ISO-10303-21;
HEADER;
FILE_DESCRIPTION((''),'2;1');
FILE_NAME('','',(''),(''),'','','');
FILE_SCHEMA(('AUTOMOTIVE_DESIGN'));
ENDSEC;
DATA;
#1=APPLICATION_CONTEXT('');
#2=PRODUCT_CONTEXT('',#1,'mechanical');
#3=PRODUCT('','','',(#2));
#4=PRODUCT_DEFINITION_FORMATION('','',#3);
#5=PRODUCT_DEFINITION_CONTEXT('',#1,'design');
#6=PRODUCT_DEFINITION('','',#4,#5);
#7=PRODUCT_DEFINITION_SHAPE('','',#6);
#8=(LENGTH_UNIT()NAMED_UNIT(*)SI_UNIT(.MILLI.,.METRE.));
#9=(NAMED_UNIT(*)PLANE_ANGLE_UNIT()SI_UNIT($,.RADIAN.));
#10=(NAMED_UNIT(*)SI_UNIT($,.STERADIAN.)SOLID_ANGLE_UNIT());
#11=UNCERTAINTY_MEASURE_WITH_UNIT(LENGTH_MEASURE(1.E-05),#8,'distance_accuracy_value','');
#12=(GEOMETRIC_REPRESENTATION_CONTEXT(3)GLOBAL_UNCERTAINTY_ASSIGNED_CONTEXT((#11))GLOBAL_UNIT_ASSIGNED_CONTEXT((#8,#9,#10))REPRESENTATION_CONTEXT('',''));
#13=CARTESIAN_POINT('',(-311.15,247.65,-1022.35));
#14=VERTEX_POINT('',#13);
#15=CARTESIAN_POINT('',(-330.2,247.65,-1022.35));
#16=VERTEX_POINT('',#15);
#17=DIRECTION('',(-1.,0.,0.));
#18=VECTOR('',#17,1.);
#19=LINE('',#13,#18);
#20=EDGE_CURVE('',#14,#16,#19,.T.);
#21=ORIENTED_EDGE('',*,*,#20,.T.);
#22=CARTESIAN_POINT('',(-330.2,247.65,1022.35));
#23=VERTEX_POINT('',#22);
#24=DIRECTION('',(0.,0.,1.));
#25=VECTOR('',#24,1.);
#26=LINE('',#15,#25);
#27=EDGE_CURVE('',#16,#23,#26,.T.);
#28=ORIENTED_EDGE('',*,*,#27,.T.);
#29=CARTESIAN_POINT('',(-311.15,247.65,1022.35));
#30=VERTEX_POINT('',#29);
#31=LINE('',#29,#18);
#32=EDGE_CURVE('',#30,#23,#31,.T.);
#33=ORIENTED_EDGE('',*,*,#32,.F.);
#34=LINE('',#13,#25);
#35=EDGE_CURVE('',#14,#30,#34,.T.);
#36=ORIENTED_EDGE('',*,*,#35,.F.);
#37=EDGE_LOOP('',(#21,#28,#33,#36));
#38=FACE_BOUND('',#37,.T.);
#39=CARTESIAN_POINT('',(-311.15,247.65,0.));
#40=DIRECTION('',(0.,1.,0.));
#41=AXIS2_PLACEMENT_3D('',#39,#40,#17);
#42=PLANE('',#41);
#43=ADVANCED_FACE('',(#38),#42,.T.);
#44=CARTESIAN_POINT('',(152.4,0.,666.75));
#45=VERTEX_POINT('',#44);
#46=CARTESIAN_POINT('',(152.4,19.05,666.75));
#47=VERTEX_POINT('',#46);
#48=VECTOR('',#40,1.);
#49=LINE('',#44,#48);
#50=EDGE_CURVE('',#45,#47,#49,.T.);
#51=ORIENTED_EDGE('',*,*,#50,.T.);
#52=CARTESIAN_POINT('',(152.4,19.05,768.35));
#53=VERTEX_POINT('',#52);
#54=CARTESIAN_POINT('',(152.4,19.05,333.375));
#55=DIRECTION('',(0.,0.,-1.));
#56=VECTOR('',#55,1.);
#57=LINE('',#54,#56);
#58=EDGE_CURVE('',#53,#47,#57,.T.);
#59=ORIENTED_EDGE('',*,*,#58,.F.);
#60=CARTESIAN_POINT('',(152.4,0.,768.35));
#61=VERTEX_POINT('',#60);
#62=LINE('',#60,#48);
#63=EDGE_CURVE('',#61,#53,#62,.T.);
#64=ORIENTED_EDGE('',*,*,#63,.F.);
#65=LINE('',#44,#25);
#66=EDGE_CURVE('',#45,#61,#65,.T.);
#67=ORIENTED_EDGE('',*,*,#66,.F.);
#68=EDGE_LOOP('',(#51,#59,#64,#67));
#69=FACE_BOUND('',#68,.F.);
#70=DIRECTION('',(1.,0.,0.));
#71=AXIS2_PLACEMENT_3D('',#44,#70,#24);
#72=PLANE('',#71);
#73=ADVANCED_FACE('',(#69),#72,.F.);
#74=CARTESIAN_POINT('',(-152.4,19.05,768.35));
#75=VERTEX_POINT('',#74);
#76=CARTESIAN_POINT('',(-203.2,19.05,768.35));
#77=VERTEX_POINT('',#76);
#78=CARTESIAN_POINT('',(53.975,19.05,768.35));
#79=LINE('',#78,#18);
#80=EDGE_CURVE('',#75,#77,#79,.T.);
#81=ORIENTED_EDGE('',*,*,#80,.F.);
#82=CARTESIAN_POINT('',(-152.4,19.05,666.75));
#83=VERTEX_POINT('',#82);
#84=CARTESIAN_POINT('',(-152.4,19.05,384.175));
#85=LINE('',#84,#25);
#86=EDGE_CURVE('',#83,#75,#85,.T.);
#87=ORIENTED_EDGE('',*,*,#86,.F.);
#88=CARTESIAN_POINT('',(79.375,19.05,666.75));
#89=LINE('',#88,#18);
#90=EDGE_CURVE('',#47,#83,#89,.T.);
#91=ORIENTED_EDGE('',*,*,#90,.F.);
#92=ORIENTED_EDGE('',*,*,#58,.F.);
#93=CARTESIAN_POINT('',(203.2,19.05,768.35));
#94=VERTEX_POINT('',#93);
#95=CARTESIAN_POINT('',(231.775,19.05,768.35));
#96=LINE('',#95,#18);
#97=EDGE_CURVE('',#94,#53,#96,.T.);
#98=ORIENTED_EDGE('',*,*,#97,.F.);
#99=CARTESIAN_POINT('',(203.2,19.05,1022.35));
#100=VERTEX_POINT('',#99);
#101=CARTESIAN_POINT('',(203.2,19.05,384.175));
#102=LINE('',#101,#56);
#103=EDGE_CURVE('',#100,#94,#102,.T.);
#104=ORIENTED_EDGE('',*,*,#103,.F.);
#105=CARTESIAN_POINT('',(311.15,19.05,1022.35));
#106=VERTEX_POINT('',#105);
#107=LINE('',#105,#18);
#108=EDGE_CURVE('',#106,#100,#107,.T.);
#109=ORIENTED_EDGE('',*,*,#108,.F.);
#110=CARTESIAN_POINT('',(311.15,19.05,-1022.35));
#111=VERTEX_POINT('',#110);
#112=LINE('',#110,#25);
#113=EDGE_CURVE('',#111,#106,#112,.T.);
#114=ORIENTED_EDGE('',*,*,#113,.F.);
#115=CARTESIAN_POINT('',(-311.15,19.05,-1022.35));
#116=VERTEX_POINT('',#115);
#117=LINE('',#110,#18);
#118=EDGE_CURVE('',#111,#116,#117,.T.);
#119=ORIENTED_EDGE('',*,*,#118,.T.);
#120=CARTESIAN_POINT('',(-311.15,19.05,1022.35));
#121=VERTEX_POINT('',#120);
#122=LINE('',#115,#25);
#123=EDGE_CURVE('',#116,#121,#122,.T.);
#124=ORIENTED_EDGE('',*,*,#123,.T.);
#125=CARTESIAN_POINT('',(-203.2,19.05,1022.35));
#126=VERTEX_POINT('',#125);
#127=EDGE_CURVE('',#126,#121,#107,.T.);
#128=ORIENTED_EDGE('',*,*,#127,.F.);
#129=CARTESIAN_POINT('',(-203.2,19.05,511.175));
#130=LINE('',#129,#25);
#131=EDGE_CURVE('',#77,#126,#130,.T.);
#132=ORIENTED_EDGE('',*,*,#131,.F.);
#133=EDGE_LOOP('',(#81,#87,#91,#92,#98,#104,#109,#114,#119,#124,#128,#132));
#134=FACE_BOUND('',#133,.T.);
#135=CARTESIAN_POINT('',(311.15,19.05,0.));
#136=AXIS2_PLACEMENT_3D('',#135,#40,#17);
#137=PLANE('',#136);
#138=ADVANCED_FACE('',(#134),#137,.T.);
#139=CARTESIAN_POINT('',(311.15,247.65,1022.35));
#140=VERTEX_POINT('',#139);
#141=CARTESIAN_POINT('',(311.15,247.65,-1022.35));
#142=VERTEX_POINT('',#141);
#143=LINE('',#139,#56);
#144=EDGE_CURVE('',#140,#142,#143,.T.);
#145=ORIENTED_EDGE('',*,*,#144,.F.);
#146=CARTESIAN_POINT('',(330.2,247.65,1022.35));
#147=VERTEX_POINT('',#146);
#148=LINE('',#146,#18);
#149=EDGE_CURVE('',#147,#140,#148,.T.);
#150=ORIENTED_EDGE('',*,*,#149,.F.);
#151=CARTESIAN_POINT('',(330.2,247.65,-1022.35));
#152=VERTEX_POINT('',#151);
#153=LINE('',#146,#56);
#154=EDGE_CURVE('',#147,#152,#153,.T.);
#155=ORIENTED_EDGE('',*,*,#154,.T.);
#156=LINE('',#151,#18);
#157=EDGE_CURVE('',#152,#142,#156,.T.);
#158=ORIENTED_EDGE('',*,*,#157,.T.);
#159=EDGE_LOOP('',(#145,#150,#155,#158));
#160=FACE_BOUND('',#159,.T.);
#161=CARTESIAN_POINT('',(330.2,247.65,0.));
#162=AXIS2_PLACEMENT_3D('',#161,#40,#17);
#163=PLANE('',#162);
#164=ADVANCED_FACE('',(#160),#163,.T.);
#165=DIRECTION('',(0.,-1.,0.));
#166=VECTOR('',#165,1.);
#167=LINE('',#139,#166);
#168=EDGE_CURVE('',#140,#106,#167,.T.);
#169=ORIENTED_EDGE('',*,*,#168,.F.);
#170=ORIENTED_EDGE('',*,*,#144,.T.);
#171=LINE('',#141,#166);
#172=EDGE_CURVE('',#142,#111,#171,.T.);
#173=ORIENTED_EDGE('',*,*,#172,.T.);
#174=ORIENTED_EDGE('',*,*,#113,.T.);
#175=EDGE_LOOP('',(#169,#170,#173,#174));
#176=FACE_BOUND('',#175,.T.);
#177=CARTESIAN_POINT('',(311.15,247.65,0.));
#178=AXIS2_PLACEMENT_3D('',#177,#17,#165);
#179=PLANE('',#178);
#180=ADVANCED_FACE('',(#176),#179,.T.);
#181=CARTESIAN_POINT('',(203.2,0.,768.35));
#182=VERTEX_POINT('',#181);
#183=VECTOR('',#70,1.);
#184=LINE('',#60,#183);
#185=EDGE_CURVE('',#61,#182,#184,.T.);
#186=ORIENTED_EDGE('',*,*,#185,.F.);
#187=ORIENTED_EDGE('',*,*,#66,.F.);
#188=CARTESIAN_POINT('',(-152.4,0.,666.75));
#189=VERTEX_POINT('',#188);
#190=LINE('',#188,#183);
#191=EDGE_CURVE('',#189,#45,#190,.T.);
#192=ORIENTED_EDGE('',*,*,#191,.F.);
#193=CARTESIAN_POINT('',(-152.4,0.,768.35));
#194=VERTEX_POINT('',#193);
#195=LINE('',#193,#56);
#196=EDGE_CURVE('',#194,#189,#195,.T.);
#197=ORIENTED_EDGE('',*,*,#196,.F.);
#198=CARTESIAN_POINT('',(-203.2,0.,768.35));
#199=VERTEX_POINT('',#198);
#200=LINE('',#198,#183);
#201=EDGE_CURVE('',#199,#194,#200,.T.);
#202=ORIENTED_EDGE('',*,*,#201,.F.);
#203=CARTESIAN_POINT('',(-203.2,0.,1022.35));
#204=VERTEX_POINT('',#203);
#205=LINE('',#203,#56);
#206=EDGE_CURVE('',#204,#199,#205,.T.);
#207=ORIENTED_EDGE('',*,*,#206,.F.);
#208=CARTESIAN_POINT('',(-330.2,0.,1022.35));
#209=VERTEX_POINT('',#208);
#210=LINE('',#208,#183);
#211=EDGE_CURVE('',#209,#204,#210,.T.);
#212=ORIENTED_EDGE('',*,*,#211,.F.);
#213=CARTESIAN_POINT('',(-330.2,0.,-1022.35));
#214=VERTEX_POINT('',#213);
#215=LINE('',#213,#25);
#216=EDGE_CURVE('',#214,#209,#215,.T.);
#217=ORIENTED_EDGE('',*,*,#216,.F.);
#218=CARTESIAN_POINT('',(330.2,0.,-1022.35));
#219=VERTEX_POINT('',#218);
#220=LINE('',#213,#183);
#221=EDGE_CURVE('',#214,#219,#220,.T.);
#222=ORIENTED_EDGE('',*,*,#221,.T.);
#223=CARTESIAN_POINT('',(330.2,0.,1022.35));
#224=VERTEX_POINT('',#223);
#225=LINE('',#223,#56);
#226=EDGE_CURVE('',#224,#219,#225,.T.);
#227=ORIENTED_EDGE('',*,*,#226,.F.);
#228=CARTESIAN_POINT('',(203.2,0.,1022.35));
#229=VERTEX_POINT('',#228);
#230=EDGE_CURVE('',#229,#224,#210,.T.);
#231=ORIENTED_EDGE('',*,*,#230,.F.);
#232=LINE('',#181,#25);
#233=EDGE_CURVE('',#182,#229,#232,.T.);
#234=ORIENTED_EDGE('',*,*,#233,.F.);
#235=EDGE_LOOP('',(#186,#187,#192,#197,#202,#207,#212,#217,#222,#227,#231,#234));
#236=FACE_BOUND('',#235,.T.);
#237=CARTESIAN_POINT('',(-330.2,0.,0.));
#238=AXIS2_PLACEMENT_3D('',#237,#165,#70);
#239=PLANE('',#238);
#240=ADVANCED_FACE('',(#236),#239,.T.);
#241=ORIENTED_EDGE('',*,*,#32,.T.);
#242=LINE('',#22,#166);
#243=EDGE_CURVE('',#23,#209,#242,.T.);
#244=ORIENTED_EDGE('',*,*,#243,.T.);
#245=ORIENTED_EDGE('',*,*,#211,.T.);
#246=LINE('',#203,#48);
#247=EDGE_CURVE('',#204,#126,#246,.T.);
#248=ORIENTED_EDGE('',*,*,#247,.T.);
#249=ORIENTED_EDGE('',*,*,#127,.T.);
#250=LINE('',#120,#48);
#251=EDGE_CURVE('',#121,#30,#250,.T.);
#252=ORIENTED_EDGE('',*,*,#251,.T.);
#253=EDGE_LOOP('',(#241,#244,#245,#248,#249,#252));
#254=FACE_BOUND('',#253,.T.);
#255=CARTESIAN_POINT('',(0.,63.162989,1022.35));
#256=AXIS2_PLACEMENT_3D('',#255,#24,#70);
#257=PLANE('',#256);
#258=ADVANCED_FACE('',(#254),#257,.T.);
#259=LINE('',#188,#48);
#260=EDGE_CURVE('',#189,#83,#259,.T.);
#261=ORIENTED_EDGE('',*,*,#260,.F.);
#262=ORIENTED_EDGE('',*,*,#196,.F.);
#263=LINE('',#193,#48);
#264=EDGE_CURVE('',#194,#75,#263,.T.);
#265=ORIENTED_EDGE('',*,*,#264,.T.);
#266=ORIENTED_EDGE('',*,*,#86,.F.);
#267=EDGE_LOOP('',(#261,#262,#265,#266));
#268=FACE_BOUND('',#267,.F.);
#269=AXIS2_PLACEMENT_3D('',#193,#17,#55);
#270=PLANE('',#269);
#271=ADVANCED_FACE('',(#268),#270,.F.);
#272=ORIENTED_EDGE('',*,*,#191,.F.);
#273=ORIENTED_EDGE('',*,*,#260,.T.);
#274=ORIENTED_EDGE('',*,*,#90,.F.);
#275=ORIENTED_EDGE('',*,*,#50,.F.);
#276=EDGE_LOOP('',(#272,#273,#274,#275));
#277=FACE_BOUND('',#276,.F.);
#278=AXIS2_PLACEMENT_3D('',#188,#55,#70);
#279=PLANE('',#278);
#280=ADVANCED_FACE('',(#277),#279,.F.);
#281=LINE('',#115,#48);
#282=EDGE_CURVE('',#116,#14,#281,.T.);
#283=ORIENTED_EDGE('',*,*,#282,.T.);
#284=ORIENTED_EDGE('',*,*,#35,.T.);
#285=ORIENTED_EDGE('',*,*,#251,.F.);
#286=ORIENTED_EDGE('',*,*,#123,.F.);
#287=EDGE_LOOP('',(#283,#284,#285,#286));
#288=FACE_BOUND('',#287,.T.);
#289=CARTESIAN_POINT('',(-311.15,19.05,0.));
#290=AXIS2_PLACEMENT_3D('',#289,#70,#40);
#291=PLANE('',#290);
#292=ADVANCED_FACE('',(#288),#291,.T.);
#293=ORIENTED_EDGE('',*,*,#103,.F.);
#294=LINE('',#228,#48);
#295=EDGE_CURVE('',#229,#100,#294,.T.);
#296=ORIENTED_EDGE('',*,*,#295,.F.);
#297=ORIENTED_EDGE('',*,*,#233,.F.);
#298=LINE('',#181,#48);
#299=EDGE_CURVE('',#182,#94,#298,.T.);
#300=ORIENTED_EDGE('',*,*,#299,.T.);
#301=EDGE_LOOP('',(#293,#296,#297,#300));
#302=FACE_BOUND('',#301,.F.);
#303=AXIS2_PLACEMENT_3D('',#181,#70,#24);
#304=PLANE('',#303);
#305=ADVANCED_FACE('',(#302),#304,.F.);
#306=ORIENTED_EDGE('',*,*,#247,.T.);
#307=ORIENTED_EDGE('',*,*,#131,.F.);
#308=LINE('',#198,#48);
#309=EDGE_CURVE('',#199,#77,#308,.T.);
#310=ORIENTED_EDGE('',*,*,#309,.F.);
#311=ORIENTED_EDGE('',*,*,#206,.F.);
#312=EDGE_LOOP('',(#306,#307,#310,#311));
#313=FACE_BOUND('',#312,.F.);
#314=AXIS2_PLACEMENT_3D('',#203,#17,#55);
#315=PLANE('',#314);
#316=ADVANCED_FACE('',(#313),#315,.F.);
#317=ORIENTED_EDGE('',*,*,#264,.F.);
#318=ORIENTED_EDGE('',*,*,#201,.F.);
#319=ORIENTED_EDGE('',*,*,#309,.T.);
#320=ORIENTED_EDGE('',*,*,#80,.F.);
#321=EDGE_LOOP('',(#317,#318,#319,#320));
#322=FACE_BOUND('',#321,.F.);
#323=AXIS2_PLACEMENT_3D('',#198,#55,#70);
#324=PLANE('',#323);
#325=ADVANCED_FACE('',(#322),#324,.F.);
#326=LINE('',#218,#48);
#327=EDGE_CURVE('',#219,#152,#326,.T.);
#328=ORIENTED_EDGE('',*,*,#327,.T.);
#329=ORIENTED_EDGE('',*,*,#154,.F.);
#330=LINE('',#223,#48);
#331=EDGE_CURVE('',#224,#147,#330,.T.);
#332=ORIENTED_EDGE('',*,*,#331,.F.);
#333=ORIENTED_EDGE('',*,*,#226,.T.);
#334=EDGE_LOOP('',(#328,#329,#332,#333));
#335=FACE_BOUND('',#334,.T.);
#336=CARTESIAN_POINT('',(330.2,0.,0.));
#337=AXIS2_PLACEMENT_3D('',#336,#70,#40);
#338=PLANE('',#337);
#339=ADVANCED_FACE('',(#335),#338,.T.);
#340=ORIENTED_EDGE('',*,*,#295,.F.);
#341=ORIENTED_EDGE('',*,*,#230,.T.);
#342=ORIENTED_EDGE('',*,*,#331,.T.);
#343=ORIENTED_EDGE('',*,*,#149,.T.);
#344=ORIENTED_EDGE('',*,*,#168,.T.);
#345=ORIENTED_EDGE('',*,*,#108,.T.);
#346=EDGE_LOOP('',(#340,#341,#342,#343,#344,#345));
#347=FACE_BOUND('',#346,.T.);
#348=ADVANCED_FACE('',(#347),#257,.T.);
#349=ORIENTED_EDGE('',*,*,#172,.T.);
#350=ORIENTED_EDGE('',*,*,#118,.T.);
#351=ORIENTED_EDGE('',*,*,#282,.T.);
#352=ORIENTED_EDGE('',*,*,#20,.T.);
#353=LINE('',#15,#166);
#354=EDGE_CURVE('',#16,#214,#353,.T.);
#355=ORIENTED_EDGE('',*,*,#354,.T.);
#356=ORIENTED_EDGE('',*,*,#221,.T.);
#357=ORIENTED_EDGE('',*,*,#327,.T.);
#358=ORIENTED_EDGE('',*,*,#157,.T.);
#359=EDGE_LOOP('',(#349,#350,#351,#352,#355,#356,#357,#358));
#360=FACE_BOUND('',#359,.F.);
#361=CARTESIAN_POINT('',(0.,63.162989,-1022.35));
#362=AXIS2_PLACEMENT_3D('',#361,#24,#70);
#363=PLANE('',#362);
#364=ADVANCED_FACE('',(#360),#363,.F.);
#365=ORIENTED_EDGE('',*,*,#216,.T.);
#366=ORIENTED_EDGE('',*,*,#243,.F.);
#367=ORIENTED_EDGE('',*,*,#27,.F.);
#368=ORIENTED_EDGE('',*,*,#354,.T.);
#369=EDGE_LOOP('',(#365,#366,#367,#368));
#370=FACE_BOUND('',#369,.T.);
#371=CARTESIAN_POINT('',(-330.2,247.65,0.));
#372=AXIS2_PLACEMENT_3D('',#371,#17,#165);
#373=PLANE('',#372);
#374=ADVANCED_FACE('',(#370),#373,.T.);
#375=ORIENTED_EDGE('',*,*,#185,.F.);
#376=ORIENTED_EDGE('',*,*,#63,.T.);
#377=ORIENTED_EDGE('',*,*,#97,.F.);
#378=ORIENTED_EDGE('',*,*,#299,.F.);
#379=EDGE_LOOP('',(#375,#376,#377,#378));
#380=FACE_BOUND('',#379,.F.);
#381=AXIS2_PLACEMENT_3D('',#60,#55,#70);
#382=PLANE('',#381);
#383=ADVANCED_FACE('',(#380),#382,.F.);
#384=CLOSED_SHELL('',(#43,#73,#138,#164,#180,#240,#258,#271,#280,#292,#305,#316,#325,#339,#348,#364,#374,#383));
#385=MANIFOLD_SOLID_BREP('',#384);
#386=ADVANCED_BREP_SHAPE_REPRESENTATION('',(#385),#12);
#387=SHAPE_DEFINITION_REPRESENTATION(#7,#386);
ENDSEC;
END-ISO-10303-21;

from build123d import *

# Parameters (mm, degrees)
F1_DEPTH = 1022.35
F3_DEPTH = 25.4


with BuildPart() as f1:
    # F0 (on Top) → F1 (new body, symmetric)
    with BuildSketch(Plane.XY):
        Polygon((311.15, 247.65), (311.15, 19.05), (-311.15, 19.05), (-311.15, 247.65), (-330.2, 247.65), (-330.2, 0), (330.2, 0), (330.2, 247.65), align=None)
    extrude(amount=F1_DEPTH, both=True)

    # F2 (on face) → F3 (cut)
    with BuildSketch(Plane.XZ):
        Polygon((203.2, 1022.35), (-203.2, 1022.35), (-203.2, 768.35), (-152.4, 768.35), (-152.4, 666.75), (152.4, 666.75), (152.4, 768.35), (203.2, 768.35), align=None)
    extrude(amount=-F3_DEPTH, mode=Mode.SUBTRACT)


solid = f1.part
